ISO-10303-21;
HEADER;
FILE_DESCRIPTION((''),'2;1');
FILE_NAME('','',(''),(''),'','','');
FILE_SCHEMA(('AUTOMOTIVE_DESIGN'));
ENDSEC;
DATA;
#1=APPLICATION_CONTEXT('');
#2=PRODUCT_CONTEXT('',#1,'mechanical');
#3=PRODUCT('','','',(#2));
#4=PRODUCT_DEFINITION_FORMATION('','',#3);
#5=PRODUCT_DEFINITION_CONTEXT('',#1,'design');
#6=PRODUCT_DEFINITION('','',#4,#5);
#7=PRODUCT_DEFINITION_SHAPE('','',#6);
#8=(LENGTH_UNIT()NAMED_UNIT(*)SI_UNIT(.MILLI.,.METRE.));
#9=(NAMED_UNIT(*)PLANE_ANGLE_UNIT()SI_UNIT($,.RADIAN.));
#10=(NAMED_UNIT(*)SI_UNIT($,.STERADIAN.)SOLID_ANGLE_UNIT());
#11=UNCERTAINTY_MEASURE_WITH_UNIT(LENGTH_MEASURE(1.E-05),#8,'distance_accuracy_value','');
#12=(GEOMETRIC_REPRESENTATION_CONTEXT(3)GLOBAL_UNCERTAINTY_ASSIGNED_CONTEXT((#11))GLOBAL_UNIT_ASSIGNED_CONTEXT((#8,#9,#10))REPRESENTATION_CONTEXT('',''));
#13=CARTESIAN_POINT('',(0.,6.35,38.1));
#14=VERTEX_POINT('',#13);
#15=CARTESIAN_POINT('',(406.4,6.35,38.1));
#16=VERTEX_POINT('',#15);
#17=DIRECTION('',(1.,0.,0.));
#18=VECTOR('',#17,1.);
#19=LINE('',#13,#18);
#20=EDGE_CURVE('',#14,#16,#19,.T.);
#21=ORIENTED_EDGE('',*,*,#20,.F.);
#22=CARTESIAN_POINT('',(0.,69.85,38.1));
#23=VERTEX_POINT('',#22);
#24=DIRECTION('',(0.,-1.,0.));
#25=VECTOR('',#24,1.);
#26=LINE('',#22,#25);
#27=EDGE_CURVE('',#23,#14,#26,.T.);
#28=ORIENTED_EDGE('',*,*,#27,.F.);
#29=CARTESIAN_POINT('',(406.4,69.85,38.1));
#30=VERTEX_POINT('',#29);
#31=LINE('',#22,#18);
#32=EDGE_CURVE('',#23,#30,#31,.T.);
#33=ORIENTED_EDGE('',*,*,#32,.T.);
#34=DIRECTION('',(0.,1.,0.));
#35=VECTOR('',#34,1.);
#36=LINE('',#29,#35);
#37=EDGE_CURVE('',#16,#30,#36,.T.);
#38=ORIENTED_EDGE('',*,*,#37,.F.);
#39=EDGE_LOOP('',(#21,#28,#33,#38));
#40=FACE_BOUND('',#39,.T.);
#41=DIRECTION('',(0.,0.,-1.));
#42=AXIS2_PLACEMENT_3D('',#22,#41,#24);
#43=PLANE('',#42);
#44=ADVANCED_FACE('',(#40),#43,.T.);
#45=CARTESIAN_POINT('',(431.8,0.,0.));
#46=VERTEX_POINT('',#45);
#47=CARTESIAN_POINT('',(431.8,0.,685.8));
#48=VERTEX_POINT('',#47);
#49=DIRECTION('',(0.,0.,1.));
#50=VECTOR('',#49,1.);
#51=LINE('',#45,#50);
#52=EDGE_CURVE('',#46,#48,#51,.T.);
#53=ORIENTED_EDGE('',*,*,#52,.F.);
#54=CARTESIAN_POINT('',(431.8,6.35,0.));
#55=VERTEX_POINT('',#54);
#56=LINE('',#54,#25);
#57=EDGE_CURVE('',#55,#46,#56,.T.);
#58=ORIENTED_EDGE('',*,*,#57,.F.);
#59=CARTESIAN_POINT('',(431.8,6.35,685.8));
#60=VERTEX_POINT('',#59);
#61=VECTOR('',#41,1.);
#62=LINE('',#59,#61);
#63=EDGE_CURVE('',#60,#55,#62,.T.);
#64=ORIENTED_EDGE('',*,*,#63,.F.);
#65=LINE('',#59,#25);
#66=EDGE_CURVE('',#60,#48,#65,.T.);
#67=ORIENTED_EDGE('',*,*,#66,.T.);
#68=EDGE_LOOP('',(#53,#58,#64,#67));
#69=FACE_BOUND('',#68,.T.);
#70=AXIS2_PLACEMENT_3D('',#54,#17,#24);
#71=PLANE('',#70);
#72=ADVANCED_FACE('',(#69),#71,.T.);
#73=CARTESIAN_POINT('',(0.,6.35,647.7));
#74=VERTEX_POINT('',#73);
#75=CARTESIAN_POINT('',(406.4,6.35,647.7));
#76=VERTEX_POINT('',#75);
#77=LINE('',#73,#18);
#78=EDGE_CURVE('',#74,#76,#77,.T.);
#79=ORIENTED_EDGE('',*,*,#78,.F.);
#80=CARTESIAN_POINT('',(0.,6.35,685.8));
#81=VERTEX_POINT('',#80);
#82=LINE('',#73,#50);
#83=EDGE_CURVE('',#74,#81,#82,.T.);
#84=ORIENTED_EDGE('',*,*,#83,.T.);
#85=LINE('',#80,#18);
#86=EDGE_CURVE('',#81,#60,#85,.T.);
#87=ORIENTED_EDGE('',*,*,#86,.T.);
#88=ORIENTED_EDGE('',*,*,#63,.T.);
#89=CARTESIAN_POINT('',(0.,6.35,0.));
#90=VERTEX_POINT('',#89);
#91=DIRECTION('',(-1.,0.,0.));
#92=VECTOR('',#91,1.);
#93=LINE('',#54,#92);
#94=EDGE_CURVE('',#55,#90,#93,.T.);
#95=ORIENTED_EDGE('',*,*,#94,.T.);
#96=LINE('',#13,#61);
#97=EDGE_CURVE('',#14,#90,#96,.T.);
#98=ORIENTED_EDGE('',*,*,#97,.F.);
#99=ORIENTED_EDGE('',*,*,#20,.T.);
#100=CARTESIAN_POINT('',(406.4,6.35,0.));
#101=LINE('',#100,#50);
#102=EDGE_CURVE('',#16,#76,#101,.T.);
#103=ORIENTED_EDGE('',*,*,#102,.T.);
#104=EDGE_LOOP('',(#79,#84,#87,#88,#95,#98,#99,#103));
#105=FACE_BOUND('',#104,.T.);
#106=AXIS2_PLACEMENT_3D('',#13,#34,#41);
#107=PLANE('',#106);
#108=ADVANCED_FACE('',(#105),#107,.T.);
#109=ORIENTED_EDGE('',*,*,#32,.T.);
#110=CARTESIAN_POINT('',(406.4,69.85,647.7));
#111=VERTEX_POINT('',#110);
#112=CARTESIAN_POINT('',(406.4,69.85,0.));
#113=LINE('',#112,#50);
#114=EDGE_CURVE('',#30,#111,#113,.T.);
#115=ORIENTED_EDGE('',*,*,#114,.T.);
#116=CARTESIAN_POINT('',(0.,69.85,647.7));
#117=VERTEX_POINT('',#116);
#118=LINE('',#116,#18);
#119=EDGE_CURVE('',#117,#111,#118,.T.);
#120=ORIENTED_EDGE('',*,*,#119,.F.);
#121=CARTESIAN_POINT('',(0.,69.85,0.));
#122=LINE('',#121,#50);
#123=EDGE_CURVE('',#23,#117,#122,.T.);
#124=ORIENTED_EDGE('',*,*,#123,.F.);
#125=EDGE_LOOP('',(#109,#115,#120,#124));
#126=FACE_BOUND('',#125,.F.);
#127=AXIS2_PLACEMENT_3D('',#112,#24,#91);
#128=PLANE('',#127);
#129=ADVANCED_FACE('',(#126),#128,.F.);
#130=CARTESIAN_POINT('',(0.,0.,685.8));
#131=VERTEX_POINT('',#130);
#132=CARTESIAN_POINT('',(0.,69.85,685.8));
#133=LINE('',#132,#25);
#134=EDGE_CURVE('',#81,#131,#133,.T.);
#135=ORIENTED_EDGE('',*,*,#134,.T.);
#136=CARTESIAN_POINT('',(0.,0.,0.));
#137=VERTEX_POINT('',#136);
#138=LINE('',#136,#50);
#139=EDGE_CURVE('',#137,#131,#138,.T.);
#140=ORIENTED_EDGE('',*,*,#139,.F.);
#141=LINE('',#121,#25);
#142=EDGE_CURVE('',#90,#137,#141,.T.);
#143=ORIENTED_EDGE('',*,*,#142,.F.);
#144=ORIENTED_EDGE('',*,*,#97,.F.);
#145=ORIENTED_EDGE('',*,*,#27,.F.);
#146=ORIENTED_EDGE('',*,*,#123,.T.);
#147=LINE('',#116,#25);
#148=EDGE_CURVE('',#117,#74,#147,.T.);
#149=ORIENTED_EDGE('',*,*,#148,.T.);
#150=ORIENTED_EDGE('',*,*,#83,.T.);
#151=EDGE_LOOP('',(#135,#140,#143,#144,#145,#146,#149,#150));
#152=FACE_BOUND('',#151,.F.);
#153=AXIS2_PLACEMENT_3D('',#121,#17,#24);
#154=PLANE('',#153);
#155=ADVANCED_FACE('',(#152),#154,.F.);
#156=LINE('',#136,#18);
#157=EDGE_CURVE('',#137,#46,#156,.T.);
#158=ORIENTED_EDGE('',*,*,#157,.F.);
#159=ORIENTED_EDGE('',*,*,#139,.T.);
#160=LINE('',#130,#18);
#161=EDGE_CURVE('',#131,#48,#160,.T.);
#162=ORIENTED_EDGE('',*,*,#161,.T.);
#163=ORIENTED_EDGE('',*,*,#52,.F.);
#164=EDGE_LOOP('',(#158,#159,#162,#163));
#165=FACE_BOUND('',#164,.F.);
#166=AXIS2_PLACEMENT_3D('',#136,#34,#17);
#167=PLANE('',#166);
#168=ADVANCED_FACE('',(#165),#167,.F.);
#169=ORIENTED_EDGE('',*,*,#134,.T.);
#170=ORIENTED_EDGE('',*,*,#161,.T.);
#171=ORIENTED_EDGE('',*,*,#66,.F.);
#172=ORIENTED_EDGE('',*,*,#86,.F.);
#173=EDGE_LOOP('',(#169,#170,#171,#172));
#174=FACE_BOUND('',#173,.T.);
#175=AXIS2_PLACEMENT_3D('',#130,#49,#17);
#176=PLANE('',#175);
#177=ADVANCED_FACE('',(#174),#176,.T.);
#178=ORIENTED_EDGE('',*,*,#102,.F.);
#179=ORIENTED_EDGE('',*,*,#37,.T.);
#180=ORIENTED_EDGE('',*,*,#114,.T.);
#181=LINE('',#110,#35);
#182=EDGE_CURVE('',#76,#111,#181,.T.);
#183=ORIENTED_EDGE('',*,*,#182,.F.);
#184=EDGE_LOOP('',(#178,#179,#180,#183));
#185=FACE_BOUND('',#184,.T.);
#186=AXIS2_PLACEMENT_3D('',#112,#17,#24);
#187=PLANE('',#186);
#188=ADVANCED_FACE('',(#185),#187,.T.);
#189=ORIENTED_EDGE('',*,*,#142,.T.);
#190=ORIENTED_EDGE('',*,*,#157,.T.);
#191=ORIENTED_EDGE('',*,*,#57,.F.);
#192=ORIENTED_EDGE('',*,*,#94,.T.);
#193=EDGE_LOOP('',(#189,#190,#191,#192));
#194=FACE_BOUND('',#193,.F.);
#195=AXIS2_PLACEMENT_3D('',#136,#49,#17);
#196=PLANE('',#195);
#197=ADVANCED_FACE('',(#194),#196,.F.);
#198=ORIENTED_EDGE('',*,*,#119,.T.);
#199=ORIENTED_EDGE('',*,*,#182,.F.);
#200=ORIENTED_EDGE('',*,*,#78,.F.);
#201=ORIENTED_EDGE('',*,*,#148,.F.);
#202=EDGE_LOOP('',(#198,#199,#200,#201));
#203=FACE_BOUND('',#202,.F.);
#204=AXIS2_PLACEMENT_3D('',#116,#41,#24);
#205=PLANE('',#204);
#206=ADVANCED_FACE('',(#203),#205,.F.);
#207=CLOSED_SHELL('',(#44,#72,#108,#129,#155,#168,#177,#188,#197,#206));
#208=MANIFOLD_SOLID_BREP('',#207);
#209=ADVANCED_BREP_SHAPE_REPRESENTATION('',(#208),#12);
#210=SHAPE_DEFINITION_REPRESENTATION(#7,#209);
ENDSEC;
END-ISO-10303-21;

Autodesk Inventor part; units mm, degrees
ref_plane "YZ Plane" through (0, 0, 0) normal (1, 0, 0) x (0, 1, 0)
ref_plane "XZ Plane" through (0, 0, 0) normal (0, 1, 0) x (-1, 0, 0)
ref_plane "XY Plane" through (0, 0, 0) normal (0, 0, 1) x (1, 0, 0)
sketch "Sketch1" plane through (0, 0, 0) normal (0, 0, 1) x (1, 0, 0)
  line L0 (0, 0) -> (431.8, 0)
  line L1 (406.4, 69.85) -> (0, 69.85)
  line L2 (0, 69.85) -> (0, 0)
  line L3 (406.4, 69.85) -> (406.4, 6.35)
  line L4 (406.4, 6.35) -> (431.8, 6.35)
  line L5 (431.8, 6.35) -> (431.8, 0)
  dimension "d0" = 69.85
  dimension "d1" = 431.8
  dimension "d2" = 6.35
  dimension "d3" = 25.4
extrude "Extrusion1" add sketch "Sketch1" along normal blind 685.8
sketch "Sketch2" plane through (0, 0, 0) normal (-1, 0, 0) x (0, 0, 1)
  line L0 (0, 0) -> (685.8, 0) projected
  line L1 (685.8, 69.85) -> (647.7, 69.85)
  line L2 (647.7, 69.85) -> (647.7, 6.35)
  line L3 (647.7, 6.35) -> (685.8, 6.35)
  line L4 (685.8, 6.35) -> (685.8, 69.85)
  line L5 (0, 69.85) -> (38.1, 69.85)
  line L6 (38.1, 69.85) -> (38.1, 6.35)
  line L7 (38.1, 6.35) -> (0, 6.35)
  line L8 (0, 6.35) -> (0, 69.85)
  dimension "d6" = 6.35
  dimension "d7" = 38.1
extrude "Extrusion2" cut sketch "Sketch2" against normal through all
properties part number "ElectronicsVolume"
